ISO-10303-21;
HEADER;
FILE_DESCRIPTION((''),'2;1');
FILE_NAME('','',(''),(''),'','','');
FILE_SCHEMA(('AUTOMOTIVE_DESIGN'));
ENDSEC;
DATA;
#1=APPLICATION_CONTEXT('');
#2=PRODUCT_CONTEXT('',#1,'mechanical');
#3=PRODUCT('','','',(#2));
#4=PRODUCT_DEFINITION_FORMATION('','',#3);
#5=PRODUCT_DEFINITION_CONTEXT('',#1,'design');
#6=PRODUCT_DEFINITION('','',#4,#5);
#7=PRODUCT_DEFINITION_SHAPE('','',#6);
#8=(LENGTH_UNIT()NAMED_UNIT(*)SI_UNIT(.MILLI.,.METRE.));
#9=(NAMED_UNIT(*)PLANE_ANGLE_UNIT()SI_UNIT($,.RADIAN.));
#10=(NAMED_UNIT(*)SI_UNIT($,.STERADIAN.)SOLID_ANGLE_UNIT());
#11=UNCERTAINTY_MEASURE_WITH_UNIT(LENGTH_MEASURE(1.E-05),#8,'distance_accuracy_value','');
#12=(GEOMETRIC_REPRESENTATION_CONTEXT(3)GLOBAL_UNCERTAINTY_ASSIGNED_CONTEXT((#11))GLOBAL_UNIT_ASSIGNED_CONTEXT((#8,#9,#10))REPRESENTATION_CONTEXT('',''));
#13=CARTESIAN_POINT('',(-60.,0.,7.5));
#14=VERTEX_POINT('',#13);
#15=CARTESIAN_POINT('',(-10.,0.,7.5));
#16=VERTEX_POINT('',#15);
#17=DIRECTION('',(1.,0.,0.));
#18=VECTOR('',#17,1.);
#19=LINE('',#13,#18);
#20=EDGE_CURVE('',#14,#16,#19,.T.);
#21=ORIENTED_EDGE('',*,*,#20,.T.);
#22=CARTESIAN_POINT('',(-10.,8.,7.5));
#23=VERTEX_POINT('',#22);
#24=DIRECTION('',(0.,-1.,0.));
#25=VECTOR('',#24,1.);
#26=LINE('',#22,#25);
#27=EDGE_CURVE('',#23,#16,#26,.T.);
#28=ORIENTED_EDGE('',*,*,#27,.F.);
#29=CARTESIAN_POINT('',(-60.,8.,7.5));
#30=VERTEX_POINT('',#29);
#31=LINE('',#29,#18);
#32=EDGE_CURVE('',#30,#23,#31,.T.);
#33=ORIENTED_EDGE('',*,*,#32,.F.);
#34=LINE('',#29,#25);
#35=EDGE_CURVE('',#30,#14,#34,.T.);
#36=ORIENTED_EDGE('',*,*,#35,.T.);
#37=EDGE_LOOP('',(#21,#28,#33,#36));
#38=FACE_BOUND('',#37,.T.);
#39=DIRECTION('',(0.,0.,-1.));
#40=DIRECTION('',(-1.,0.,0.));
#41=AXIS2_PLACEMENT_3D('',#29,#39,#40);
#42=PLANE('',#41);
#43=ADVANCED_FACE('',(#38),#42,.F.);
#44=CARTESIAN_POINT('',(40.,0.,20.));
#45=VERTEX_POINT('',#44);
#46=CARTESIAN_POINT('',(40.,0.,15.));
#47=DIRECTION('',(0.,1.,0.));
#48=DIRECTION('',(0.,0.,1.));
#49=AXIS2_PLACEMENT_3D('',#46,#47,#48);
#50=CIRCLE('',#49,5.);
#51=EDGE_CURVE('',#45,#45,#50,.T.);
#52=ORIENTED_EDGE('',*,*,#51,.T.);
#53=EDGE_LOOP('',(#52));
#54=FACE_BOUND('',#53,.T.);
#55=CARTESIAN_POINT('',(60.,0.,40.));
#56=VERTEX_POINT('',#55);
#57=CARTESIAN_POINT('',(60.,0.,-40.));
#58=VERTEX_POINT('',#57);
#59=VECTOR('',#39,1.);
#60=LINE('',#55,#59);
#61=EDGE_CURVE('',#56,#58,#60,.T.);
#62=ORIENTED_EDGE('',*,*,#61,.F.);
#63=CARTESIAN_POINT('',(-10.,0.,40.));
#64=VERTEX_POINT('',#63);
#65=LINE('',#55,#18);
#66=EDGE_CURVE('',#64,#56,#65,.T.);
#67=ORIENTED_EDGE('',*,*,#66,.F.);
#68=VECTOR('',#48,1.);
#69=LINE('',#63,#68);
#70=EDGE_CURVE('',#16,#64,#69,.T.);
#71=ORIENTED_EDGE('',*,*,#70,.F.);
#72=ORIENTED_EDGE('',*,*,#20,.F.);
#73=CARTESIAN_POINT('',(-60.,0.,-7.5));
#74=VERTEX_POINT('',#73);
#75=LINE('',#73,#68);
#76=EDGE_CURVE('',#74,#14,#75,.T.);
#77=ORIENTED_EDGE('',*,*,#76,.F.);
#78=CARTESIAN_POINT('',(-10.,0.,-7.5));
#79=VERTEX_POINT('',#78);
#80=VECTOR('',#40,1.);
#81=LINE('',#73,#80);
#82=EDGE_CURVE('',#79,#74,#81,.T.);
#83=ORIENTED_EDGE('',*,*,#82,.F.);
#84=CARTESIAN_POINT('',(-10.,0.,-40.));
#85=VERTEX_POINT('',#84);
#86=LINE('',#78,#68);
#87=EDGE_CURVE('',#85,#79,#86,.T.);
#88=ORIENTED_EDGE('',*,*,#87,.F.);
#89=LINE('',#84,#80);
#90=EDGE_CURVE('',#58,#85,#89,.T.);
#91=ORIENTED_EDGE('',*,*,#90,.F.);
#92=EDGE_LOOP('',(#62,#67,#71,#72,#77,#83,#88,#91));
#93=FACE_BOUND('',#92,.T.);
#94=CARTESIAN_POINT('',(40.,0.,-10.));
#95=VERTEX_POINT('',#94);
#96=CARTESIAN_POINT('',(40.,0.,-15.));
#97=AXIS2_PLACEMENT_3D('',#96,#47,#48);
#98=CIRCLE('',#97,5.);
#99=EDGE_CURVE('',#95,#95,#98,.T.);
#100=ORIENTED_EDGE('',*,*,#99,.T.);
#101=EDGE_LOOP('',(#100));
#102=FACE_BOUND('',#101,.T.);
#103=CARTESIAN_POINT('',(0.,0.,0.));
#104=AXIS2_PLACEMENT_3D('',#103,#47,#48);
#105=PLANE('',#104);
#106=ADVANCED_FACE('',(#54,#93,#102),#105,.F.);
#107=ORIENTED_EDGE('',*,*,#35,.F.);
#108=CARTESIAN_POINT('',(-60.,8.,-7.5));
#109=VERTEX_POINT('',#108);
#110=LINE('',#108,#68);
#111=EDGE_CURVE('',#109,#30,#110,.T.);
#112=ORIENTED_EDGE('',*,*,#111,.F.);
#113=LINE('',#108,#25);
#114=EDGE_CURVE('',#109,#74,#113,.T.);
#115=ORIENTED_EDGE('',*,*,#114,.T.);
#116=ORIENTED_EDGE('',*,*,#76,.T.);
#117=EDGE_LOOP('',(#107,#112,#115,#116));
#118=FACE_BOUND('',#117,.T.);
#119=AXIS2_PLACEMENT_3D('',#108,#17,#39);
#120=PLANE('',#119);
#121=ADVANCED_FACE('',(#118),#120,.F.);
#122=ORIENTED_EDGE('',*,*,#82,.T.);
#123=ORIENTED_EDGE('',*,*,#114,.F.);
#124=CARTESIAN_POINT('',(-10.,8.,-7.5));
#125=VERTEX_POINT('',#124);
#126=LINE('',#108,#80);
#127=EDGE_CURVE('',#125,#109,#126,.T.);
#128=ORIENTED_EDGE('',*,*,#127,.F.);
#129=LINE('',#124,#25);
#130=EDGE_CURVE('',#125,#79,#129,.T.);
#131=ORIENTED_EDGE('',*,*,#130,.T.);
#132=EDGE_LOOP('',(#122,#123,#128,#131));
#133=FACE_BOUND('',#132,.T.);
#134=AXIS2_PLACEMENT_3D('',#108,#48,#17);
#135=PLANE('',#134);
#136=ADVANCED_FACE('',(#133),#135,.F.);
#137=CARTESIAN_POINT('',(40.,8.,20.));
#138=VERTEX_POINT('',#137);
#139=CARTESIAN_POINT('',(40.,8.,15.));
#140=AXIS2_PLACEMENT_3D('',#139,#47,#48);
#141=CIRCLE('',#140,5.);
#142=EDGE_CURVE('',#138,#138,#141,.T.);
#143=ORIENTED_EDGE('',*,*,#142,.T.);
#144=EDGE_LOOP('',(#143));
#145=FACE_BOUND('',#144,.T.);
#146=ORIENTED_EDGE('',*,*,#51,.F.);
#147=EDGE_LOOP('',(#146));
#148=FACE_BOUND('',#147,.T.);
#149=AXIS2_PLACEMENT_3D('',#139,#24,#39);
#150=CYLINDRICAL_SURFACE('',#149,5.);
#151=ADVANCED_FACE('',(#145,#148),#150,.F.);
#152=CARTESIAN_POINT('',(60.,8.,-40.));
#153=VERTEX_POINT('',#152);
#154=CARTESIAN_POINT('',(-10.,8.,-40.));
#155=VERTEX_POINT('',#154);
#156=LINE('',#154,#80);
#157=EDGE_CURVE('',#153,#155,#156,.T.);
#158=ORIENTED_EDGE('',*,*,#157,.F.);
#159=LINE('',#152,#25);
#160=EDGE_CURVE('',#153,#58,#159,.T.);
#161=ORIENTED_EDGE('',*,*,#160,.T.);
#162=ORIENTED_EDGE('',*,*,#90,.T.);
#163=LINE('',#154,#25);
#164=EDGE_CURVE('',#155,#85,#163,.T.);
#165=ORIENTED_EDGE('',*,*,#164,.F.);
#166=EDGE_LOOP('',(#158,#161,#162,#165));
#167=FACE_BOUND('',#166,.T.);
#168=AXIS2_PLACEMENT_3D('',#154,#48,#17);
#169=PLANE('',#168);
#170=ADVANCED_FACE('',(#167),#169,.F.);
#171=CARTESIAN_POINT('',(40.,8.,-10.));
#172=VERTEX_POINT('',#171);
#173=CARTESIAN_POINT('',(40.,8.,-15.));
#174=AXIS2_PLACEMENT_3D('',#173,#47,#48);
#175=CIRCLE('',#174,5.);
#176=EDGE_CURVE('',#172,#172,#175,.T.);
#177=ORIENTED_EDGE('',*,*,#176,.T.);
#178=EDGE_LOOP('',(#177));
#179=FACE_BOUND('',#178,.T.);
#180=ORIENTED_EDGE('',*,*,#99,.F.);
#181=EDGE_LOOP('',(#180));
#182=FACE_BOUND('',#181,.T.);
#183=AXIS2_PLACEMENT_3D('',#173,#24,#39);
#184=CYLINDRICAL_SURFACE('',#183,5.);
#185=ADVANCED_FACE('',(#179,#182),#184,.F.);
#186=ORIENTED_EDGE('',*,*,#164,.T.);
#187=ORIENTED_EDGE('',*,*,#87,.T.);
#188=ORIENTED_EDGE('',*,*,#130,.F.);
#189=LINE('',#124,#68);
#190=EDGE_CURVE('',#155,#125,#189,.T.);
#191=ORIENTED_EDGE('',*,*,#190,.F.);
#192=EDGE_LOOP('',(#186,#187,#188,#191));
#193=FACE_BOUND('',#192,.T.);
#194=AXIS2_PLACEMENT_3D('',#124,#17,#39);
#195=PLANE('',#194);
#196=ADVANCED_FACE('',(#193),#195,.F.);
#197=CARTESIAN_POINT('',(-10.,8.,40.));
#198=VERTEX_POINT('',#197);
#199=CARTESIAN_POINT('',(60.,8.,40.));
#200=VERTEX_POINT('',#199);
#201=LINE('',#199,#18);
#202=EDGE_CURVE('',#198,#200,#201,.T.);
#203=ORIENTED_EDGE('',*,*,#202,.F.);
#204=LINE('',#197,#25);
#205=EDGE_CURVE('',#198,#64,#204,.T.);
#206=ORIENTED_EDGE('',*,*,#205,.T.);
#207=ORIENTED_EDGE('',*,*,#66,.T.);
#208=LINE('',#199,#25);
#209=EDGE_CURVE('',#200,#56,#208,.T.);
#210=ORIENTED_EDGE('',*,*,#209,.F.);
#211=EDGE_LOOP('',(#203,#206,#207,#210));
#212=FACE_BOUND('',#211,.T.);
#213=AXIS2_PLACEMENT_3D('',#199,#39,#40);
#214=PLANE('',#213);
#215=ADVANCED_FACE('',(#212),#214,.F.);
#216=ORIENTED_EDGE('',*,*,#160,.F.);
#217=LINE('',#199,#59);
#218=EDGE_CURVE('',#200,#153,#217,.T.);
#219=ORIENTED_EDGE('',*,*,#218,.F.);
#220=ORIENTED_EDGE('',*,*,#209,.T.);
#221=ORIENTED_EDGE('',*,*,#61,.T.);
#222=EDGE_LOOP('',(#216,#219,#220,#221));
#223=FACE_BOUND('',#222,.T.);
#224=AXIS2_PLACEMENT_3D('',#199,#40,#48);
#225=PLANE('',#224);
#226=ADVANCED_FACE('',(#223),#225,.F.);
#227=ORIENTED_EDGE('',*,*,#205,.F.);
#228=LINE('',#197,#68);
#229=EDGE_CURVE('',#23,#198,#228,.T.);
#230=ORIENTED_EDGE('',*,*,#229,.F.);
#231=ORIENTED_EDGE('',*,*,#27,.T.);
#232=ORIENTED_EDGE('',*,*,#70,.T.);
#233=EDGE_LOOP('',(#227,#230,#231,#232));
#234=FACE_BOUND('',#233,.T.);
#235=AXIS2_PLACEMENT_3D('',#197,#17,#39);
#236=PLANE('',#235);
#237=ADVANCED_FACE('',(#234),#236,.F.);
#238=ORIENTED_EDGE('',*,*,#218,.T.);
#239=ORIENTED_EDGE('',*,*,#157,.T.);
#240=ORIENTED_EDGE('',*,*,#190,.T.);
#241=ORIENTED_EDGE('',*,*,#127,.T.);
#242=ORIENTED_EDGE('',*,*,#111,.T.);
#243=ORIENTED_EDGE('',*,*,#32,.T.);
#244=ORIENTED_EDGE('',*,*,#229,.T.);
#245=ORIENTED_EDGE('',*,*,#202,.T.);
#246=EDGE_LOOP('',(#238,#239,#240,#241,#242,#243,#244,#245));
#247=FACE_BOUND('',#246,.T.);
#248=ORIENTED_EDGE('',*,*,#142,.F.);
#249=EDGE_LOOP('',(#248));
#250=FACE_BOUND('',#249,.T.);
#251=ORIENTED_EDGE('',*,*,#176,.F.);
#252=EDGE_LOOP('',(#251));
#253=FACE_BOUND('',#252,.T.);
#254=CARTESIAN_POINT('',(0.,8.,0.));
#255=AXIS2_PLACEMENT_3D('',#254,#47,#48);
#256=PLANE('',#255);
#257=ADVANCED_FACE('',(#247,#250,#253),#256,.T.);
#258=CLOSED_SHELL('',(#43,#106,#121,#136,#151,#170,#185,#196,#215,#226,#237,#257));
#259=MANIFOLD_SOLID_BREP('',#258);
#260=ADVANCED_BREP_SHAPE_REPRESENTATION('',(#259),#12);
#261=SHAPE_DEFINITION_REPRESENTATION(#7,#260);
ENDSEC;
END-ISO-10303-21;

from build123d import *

# Parameters (mm, degrees)
SKETCH1_R           = 5
BOSS_EXTRUDE1_DEPTH = 8


with BuildPart() as part:
    # Sketch1 → Boss-Extrude1 (new body)
    with BuildSketch(Plane(origin=(0, 0, 0), x_dir=(1, 0, 0), z_dir=(0, 1, 0))):
        Polygon((60, -40), (60, 40), (-10, 40), (-10, 7.5), (-60, 7.5), (-60, -7.5), (-10, -7.5), (-10, -40), align=None)
        with Locations(Location((40, 15, 0), (0, 0, 270))):
            Circle(SKETCH1_R, mode=Mode.SUBTRACT)
        with Locations(Location((40, -15, 0), (0, 0, 270))):
            Circle(SKETCH1_R, mode=Mode.SUBTRACT)
    extrude(amount=BOSS_EXTRUDE1_DEPTH)


solid = part.part
